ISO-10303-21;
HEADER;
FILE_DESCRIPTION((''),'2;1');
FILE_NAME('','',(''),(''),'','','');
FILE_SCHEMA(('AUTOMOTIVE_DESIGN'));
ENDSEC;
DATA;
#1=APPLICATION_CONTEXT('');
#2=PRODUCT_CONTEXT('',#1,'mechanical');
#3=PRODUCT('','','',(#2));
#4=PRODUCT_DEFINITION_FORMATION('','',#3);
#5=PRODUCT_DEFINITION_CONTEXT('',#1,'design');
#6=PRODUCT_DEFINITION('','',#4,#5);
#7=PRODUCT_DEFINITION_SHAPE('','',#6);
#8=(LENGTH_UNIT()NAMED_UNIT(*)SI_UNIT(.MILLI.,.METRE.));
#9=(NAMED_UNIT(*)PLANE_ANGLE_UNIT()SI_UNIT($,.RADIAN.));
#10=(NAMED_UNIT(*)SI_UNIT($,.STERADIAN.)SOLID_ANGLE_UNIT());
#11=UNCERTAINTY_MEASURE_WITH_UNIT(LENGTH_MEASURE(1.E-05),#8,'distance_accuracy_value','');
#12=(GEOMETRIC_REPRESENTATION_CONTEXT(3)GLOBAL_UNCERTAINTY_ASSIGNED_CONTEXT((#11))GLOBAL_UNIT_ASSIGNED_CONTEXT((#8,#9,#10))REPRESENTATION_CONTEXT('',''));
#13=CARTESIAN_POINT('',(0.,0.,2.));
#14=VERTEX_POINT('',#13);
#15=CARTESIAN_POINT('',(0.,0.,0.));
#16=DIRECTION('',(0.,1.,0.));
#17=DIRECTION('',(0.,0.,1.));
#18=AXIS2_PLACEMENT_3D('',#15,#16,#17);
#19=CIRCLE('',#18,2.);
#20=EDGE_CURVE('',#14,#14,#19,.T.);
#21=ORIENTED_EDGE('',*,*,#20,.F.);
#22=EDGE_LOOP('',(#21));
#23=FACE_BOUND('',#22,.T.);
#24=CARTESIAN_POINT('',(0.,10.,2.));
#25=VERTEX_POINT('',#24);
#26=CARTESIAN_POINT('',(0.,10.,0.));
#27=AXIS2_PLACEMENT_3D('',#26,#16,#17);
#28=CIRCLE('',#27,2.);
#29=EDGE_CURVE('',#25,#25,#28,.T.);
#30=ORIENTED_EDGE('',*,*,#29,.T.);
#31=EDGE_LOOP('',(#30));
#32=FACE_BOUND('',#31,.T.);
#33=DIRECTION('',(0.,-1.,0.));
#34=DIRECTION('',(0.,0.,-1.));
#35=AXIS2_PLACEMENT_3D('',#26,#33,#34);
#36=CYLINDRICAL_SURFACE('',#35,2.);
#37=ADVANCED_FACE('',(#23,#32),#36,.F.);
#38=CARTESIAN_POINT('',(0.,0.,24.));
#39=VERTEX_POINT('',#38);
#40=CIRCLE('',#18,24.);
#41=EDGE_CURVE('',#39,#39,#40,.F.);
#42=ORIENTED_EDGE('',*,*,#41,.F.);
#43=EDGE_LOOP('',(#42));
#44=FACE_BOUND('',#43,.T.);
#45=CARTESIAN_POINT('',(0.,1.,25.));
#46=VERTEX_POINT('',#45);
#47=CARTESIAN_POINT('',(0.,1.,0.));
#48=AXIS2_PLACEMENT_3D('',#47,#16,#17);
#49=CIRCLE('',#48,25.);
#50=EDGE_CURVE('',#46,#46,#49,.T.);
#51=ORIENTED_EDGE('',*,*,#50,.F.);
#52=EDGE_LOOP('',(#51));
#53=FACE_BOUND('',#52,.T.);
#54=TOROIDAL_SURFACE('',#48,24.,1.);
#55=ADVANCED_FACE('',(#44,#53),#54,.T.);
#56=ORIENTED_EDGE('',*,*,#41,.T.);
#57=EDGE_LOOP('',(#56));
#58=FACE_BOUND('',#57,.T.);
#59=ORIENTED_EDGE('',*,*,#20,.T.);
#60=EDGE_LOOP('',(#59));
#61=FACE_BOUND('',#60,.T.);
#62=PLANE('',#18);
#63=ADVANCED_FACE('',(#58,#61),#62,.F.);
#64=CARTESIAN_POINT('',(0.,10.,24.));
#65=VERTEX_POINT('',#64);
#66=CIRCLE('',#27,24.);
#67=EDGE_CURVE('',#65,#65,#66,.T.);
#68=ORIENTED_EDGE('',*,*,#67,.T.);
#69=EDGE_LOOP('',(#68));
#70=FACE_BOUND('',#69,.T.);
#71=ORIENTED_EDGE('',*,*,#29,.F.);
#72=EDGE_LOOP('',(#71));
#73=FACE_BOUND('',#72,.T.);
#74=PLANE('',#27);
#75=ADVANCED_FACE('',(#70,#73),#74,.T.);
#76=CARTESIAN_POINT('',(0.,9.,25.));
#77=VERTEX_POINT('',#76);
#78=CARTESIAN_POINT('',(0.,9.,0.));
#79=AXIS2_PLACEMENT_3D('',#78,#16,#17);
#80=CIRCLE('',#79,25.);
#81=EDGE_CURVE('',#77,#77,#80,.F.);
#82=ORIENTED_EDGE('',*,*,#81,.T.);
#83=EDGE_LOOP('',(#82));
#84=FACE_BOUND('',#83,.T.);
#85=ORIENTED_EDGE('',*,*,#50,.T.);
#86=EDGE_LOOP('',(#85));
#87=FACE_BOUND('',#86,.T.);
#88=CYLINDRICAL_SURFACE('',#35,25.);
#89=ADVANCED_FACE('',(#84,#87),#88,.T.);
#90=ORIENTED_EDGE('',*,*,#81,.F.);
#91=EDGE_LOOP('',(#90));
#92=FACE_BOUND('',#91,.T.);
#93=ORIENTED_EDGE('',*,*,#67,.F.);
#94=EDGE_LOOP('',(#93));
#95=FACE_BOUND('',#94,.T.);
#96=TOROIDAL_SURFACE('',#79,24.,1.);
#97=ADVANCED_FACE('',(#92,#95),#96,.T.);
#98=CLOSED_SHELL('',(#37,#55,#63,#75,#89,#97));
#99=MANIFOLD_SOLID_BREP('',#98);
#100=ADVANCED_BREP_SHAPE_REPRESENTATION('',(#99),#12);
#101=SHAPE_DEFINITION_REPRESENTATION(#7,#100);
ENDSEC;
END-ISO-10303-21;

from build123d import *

# Parameters (mm, degrees)
SKETCH1_R           = 25
SKETCH1_R_2         = 2
BOSS_EXTRUDE1_DEPTH = 10
FILLET1_R           = 1


with BuildPart() as part:
    # Sketch1 → Boss-Extrude1 (new body)
    with BuildSketch(Plane(origin=(0, 0, 0), x_dir=(1, 0, 0), z_dir=(0, 1, 0))):
        with Locations(Location((0, 0, 0), (0, 0, 270))):
            Circle(SKETCH1_R)
        with Locations(Location((0, 0, 0), (0, 0, 270))):
            Circle(SKETCH1_R_2, mode=Mode.SUBTRACT)
    extrude(amount=BOSS_EXTRUDE1_DEPTH)

    # Fillet1
    fillet1_edges = [part.edges().sort_by_distance(p)[0] for p in [
        (0, 0, -25),
        (0, 10, -25),
    ]]
    fillet(fillet1_edges, radius=FILLET1_R)


solid = part.part
